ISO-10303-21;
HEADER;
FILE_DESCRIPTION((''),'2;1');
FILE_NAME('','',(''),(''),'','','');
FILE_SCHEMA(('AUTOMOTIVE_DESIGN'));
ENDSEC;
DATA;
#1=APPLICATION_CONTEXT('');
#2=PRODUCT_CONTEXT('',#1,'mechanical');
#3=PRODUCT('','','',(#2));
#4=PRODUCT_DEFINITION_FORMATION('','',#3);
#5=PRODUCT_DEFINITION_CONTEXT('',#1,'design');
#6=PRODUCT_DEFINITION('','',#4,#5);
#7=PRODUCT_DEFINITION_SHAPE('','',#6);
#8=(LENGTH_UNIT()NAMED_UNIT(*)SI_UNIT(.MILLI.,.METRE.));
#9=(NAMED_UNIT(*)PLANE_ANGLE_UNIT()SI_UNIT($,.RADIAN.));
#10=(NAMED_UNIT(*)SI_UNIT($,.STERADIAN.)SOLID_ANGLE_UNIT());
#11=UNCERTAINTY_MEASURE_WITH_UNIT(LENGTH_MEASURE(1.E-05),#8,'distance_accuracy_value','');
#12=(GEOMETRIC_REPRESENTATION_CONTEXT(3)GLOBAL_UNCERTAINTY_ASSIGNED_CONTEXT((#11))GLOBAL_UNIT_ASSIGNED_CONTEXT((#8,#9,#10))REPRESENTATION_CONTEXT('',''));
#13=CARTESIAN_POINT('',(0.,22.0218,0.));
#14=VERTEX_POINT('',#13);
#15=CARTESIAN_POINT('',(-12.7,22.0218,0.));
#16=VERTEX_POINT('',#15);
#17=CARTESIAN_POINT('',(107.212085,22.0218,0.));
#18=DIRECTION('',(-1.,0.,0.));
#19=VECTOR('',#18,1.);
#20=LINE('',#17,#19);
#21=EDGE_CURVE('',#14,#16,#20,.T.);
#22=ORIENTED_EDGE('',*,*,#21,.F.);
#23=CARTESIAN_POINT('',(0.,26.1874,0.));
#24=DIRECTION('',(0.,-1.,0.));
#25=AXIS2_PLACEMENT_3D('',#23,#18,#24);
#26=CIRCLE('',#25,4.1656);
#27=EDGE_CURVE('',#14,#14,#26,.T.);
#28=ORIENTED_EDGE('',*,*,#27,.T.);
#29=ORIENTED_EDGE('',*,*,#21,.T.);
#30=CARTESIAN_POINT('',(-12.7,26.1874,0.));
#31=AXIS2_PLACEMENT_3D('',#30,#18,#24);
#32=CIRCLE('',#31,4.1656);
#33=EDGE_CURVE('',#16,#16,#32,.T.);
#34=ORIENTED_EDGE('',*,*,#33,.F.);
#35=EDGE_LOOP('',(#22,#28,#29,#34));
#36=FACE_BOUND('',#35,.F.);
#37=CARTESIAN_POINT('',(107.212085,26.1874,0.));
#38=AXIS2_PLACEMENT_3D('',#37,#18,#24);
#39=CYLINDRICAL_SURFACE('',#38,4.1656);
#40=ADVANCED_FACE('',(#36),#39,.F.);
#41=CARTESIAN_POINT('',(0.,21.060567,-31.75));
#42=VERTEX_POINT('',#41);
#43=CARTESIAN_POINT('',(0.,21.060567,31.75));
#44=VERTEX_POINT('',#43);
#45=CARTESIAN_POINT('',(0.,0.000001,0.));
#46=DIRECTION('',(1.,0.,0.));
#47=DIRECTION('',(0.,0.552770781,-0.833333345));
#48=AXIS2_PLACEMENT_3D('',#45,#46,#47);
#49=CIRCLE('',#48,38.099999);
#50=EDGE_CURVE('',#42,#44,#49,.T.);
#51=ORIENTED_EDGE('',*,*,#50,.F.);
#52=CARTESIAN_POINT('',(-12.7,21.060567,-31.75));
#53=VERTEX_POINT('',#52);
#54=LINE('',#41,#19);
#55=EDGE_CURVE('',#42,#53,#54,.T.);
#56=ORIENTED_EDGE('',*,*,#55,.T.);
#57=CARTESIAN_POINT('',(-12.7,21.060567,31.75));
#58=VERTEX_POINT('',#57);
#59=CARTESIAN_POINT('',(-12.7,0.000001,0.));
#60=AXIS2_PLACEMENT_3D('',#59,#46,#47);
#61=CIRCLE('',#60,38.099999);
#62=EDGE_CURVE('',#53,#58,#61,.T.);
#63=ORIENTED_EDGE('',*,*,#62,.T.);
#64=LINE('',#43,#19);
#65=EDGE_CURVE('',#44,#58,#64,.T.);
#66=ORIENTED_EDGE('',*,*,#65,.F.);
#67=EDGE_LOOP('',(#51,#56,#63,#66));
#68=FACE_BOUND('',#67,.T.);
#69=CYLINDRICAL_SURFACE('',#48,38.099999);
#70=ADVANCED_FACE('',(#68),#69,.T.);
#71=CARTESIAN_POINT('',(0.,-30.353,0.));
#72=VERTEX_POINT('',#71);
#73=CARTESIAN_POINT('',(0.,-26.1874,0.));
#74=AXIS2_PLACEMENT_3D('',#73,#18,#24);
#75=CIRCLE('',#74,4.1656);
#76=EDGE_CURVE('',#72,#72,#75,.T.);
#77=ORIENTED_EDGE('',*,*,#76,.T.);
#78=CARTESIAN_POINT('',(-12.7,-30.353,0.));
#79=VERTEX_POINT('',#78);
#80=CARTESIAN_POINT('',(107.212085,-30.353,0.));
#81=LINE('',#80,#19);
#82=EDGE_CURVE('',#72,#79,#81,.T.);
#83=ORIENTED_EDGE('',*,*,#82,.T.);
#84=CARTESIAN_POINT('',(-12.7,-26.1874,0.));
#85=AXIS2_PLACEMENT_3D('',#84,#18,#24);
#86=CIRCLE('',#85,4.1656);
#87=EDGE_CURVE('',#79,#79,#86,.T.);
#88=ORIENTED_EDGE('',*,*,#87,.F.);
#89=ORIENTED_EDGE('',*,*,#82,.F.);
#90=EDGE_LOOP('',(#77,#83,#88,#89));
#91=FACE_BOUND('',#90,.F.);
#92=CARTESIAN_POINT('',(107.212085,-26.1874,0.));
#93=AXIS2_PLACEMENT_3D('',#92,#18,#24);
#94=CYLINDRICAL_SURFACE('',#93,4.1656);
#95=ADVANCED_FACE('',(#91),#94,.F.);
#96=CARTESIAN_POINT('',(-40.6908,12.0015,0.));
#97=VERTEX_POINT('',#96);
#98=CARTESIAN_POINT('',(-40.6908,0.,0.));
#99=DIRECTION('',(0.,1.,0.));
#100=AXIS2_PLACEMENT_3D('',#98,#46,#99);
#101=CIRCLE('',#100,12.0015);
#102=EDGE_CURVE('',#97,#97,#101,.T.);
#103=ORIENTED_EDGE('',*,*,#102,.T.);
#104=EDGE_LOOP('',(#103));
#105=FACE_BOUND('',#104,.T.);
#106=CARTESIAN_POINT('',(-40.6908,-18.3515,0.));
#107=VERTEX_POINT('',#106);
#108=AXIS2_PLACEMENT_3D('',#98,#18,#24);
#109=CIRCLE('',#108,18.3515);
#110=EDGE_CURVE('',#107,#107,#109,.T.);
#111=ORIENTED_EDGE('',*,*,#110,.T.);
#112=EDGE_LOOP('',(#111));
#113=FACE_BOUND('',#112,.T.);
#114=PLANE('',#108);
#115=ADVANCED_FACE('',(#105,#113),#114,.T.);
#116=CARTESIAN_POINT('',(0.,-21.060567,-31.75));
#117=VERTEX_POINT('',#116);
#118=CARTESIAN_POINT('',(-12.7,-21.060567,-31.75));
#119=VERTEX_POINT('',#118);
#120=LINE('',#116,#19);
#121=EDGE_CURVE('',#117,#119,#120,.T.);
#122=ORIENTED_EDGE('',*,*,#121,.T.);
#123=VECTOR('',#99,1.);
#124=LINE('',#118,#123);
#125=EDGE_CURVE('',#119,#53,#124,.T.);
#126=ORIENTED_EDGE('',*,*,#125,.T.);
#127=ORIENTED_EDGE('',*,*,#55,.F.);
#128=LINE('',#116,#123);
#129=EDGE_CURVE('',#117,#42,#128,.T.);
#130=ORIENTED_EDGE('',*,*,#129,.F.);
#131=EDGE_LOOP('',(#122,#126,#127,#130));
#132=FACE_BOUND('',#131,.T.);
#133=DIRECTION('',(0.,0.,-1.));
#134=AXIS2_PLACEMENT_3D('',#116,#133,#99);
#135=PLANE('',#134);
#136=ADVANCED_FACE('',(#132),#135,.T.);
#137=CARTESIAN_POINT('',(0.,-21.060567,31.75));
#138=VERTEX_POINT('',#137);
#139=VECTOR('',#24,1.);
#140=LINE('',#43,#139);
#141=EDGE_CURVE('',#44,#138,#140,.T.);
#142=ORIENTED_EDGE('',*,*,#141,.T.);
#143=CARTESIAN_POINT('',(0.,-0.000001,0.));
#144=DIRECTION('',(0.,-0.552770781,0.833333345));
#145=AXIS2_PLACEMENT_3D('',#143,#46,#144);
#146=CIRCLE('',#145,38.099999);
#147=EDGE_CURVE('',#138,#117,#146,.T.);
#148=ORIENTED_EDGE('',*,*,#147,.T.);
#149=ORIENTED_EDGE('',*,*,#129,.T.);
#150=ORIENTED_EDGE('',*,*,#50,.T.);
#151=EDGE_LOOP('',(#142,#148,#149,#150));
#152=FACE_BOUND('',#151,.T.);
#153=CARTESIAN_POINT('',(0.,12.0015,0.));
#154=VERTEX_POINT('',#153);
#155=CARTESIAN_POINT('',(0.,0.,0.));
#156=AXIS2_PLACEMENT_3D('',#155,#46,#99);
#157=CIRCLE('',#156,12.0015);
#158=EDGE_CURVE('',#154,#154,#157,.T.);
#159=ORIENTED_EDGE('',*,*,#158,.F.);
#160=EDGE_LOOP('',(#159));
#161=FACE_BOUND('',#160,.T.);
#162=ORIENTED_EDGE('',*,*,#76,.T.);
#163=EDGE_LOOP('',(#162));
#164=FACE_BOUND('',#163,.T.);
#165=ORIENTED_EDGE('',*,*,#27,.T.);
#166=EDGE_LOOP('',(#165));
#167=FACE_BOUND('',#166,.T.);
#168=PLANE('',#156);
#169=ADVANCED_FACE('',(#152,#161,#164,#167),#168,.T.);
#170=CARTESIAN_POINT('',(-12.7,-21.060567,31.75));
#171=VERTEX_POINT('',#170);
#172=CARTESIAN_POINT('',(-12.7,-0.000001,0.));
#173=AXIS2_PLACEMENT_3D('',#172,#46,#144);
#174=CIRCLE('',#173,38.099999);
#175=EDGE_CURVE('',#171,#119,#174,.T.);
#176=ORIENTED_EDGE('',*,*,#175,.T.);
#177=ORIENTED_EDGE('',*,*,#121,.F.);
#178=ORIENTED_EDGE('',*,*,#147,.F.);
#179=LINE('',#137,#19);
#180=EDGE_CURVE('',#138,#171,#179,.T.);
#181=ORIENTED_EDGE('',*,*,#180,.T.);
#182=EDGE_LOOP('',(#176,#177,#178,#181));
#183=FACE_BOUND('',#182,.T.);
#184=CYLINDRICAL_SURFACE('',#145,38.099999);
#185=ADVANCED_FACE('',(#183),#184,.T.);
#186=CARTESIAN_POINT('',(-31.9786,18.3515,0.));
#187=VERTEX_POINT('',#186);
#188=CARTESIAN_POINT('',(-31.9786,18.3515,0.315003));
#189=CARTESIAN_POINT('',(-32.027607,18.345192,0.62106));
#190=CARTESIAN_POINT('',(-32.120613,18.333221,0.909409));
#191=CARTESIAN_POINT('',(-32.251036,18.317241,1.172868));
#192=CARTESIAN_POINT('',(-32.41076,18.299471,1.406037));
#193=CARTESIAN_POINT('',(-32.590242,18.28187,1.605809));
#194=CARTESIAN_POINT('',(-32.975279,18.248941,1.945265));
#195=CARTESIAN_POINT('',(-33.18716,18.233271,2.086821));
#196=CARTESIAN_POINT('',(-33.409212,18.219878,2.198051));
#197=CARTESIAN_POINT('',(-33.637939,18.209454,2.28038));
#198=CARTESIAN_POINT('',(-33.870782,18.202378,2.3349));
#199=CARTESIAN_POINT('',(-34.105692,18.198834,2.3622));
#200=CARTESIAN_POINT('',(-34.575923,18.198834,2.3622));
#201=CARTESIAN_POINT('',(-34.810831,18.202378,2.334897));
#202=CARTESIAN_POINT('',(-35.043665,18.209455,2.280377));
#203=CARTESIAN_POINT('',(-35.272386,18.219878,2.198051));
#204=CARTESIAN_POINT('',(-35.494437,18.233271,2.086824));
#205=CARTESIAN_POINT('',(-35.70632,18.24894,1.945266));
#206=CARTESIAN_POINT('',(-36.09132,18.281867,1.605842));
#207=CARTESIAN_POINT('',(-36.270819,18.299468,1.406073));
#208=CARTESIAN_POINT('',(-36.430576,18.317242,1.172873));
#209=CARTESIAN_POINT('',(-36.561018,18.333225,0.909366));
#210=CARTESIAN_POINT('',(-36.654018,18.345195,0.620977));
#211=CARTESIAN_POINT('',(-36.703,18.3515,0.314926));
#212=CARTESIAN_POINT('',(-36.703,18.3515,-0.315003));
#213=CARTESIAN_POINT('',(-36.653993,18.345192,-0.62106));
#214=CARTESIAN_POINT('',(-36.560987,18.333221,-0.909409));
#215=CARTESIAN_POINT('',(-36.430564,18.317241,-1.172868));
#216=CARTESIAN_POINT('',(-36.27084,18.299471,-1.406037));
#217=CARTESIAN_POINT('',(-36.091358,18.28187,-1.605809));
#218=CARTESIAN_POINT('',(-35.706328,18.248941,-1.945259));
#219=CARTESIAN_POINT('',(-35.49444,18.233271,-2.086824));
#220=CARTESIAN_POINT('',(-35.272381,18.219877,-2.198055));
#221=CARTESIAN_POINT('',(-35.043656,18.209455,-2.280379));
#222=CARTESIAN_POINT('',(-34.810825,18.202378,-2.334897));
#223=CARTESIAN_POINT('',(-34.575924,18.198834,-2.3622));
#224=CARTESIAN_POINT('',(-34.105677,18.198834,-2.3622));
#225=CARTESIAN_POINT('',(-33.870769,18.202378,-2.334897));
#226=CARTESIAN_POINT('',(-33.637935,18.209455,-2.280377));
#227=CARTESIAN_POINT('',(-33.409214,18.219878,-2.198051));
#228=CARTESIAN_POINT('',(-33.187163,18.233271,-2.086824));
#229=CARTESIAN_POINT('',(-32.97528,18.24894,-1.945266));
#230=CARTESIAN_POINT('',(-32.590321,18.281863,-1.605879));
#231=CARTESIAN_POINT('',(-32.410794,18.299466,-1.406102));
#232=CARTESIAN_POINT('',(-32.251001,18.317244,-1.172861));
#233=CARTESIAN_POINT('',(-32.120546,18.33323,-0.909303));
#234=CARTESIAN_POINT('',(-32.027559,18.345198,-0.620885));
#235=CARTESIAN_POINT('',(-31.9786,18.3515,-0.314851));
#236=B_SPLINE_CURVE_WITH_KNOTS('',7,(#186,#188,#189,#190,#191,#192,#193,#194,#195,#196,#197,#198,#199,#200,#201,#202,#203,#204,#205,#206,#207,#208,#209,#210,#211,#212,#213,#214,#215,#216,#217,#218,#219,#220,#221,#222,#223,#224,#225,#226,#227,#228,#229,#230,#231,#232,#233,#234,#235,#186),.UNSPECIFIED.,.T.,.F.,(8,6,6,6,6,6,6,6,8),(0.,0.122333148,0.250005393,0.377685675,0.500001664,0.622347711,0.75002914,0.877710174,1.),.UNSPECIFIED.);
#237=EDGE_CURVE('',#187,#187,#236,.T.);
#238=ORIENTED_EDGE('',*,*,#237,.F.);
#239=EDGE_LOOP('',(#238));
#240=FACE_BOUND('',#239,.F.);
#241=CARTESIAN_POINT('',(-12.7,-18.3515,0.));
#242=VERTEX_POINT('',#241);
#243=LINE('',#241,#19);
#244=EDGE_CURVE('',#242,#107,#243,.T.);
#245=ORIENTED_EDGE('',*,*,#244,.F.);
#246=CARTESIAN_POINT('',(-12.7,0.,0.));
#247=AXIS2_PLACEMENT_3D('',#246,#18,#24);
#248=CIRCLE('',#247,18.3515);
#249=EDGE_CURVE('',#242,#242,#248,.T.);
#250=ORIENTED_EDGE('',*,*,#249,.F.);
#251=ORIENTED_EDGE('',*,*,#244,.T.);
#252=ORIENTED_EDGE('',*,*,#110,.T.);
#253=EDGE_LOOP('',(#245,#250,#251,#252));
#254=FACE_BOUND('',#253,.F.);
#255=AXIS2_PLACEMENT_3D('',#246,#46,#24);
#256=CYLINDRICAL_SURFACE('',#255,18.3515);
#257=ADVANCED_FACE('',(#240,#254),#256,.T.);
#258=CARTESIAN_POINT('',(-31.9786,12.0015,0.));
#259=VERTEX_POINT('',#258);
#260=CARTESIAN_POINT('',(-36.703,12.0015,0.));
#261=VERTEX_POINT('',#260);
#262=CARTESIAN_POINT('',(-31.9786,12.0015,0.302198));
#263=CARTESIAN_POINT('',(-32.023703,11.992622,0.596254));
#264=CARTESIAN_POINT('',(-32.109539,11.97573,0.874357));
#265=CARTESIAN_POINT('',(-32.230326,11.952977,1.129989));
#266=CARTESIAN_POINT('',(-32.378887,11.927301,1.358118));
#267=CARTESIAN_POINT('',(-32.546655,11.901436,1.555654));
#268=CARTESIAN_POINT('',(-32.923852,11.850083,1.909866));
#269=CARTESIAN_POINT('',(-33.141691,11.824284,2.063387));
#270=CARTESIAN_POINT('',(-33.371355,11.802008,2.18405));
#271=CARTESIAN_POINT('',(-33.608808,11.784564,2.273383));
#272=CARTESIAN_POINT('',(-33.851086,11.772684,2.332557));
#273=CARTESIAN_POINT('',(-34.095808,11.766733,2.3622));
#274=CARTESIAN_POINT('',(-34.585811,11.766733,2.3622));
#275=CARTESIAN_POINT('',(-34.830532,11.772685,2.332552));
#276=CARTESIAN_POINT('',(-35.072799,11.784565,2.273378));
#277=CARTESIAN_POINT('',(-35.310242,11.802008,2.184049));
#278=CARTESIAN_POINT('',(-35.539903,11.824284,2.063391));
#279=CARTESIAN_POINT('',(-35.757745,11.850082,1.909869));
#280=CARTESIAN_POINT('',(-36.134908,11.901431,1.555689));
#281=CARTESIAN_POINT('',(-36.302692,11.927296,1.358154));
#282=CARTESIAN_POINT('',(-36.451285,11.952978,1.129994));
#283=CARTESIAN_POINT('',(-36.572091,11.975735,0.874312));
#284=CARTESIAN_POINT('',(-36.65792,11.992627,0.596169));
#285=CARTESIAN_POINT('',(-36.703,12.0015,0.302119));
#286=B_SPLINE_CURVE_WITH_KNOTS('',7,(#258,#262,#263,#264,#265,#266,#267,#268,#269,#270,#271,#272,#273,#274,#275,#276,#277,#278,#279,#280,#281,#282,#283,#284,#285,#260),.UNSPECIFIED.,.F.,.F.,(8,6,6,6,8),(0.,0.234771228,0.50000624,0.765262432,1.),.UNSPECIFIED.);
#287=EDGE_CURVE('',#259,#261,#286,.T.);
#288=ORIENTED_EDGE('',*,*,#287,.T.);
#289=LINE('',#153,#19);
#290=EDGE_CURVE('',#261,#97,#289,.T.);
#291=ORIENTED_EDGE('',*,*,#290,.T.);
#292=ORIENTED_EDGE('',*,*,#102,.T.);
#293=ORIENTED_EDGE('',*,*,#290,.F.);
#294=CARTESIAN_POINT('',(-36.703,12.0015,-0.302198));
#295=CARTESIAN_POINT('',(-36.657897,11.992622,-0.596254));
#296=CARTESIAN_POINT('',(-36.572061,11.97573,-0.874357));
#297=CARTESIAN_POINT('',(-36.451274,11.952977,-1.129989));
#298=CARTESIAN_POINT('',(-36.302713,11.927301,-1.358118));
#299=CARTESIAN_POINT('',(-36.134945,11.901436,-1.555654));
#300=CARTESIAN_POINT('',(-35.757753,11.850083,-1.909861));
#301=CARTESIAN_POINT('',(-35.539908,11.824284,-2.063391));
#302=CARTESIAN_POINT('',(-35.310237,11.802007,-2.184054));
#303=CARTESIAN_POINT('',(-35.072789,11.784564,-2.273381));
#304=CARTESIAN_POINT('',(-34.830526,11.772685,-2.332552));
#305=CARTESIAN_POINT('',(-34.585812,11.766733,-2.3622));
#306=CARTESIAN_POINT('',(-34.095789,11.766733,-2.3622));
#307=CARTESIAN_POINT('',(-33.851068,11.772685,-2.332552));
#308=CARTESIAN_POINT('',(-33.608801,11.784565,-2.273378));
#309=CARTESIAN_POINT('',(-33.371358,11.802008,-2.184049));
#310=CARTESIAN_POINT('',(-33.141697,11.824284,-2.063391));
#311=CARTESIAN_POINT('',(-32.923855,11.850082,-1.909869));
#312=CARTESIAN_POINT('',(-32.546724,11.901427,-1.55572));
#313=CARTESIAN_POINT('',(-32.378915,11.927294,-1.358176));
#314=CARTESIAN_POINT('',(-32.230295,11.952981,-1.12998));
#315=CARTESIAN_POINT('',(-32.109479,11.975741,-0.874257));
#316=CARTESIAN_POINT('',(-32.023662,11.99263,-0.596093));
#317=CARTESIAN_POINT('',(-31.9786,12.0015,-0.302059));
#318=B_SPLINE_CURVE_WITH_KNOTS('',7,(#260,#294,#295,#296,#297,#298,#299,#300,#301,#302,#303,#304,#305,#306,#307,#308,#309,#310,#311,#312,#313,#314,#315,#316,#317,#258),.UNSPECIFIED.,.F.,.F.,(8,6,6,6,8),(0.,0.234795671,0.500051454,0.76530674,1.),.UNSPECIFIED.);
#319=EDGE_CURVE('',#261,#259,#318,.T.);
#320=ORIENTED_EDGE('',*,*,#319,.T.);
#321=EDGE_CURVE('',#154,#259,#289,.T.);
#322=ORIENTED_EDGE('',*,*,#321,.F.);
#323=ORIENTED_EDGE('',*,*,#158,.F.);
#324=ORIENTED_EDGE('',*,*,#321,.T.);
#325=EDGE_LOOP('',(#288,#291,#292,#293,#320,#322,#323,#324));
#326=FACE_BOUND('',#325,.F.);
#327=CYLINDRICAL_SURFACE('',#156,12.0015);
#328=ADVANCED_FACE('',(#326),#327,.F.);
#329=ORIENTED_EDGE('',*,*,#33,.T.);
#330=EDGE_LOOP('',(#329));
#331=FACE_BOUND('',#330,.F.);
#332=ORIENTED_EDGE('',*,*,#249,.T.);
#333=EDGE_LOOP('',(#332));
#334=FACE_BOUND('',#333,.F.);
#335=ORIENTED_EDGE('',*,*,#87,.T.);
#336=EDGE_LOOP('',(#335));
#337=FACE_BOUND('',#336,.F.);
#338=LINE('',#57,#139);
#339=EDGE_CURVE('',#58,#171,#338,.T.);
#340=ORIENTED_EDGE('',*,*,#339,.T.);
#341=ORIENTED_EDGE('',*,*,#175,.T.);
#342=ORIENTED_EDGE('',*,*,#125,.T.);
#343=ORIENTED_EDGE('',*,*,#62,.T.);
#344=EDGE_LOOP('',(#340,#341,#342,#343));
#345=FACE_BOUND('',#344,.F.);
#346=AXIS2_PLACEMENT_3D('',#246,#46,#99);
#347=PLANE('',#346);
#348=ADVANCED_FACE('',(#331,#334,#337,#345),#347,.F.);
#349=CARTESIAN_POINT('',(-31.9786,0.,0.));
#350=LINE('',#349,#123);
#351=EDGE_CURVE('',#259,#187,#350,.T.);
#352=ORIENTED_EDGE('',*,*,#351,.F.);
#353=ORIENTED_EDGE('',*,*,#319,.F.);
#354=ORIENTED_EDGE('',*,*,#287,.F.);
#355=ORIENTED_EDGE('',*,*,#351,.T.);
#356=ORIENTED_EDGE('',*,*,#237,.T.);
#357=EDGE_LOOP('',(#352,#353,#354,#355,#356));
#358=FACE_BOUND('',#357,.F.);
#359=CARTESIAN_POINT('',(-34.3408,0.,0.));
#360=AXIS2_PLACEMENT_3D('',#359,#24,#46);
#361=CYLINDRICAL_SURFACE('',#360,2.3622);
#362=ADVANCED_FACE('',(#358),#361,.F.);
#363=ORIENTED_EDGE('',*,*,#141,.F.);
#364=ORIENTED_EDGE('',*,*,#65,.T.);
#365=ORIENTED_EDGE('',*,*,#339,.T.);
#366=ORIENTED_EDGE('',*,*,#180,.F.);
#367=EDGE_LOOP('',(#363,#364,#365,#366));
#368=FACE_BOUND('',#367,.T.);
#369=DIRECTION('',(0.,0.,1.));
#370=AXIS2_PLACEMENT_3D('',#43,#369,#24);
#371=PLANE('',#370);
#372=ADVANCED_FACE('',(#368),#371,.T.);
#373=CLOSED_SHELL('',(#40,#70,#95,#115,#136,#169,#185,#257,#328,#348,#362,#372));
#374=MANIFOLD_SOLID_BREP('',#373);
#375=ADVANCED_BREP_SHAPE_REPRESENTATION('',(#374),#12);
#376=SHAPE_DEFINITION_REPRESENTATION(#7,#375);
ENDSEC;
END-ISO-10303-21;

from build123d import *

# Parameters (mm, degrees)
F1_DEPTH = 12.7
F2_R     = 18.3515
F3_DEPTH = 27.9908
F4_R     = 12.0015
F5_DEPTH = 40.6918
F6_D     = 8.3312
F7_R     = 2.3622
F8_DEPTH = 25.4


with BuildPart() as f1:
    # F0 (on Right) → F1 (new body)
    with BuildSketch(Plane.YZ):
        with BuildLine():
            Line((21.060567, 31.75), (-21.060567, 31.75))
            ThreePointArc((-21.060567, 31.75), (-38.1, 0), (-21.060567, -31.75))
            Line((-21.060567, -31.75), (21.060567, -31.75))
            ThreePointArc((21.060567, -31.75), (38.1, 0), (21.060567, 31.75))
        make_face()
    extrude(amount=-F1_DEPTH)

    # F2 (on face) → F3 (join)
    with BuildSketch(Plane(origin=(-12.7, 0, 0), x_dir=(0, -1, 0), z_dir=(-1, 0, 0))):
        Circle(F2_R)
    extrude(amount=F3_DEPTH)

    # F4 (on face) → F5 (cut, through all)
    with BuildSketch(Plane.YZ):
        Circle(F4_R)
    extrude(amount=-F5_DEPTH, mode=Mode.SUBTRACT)

    # F6 (through all)
    with Locations(Plane.YZ):
        with Locations((26.1874, 0), (-26.1874, 0)):
            Hole(F6_D / 2)

    # F7 (on Front) → F8 (cut)
    with BuildSketch(Plane.XZ):
        with Locations((-34.3408, 0)):
            Circle(F7_R)
    extrude(amount=-F8_DEPTH, mode=Mode.SUBTRACT)


solid = f1.part
